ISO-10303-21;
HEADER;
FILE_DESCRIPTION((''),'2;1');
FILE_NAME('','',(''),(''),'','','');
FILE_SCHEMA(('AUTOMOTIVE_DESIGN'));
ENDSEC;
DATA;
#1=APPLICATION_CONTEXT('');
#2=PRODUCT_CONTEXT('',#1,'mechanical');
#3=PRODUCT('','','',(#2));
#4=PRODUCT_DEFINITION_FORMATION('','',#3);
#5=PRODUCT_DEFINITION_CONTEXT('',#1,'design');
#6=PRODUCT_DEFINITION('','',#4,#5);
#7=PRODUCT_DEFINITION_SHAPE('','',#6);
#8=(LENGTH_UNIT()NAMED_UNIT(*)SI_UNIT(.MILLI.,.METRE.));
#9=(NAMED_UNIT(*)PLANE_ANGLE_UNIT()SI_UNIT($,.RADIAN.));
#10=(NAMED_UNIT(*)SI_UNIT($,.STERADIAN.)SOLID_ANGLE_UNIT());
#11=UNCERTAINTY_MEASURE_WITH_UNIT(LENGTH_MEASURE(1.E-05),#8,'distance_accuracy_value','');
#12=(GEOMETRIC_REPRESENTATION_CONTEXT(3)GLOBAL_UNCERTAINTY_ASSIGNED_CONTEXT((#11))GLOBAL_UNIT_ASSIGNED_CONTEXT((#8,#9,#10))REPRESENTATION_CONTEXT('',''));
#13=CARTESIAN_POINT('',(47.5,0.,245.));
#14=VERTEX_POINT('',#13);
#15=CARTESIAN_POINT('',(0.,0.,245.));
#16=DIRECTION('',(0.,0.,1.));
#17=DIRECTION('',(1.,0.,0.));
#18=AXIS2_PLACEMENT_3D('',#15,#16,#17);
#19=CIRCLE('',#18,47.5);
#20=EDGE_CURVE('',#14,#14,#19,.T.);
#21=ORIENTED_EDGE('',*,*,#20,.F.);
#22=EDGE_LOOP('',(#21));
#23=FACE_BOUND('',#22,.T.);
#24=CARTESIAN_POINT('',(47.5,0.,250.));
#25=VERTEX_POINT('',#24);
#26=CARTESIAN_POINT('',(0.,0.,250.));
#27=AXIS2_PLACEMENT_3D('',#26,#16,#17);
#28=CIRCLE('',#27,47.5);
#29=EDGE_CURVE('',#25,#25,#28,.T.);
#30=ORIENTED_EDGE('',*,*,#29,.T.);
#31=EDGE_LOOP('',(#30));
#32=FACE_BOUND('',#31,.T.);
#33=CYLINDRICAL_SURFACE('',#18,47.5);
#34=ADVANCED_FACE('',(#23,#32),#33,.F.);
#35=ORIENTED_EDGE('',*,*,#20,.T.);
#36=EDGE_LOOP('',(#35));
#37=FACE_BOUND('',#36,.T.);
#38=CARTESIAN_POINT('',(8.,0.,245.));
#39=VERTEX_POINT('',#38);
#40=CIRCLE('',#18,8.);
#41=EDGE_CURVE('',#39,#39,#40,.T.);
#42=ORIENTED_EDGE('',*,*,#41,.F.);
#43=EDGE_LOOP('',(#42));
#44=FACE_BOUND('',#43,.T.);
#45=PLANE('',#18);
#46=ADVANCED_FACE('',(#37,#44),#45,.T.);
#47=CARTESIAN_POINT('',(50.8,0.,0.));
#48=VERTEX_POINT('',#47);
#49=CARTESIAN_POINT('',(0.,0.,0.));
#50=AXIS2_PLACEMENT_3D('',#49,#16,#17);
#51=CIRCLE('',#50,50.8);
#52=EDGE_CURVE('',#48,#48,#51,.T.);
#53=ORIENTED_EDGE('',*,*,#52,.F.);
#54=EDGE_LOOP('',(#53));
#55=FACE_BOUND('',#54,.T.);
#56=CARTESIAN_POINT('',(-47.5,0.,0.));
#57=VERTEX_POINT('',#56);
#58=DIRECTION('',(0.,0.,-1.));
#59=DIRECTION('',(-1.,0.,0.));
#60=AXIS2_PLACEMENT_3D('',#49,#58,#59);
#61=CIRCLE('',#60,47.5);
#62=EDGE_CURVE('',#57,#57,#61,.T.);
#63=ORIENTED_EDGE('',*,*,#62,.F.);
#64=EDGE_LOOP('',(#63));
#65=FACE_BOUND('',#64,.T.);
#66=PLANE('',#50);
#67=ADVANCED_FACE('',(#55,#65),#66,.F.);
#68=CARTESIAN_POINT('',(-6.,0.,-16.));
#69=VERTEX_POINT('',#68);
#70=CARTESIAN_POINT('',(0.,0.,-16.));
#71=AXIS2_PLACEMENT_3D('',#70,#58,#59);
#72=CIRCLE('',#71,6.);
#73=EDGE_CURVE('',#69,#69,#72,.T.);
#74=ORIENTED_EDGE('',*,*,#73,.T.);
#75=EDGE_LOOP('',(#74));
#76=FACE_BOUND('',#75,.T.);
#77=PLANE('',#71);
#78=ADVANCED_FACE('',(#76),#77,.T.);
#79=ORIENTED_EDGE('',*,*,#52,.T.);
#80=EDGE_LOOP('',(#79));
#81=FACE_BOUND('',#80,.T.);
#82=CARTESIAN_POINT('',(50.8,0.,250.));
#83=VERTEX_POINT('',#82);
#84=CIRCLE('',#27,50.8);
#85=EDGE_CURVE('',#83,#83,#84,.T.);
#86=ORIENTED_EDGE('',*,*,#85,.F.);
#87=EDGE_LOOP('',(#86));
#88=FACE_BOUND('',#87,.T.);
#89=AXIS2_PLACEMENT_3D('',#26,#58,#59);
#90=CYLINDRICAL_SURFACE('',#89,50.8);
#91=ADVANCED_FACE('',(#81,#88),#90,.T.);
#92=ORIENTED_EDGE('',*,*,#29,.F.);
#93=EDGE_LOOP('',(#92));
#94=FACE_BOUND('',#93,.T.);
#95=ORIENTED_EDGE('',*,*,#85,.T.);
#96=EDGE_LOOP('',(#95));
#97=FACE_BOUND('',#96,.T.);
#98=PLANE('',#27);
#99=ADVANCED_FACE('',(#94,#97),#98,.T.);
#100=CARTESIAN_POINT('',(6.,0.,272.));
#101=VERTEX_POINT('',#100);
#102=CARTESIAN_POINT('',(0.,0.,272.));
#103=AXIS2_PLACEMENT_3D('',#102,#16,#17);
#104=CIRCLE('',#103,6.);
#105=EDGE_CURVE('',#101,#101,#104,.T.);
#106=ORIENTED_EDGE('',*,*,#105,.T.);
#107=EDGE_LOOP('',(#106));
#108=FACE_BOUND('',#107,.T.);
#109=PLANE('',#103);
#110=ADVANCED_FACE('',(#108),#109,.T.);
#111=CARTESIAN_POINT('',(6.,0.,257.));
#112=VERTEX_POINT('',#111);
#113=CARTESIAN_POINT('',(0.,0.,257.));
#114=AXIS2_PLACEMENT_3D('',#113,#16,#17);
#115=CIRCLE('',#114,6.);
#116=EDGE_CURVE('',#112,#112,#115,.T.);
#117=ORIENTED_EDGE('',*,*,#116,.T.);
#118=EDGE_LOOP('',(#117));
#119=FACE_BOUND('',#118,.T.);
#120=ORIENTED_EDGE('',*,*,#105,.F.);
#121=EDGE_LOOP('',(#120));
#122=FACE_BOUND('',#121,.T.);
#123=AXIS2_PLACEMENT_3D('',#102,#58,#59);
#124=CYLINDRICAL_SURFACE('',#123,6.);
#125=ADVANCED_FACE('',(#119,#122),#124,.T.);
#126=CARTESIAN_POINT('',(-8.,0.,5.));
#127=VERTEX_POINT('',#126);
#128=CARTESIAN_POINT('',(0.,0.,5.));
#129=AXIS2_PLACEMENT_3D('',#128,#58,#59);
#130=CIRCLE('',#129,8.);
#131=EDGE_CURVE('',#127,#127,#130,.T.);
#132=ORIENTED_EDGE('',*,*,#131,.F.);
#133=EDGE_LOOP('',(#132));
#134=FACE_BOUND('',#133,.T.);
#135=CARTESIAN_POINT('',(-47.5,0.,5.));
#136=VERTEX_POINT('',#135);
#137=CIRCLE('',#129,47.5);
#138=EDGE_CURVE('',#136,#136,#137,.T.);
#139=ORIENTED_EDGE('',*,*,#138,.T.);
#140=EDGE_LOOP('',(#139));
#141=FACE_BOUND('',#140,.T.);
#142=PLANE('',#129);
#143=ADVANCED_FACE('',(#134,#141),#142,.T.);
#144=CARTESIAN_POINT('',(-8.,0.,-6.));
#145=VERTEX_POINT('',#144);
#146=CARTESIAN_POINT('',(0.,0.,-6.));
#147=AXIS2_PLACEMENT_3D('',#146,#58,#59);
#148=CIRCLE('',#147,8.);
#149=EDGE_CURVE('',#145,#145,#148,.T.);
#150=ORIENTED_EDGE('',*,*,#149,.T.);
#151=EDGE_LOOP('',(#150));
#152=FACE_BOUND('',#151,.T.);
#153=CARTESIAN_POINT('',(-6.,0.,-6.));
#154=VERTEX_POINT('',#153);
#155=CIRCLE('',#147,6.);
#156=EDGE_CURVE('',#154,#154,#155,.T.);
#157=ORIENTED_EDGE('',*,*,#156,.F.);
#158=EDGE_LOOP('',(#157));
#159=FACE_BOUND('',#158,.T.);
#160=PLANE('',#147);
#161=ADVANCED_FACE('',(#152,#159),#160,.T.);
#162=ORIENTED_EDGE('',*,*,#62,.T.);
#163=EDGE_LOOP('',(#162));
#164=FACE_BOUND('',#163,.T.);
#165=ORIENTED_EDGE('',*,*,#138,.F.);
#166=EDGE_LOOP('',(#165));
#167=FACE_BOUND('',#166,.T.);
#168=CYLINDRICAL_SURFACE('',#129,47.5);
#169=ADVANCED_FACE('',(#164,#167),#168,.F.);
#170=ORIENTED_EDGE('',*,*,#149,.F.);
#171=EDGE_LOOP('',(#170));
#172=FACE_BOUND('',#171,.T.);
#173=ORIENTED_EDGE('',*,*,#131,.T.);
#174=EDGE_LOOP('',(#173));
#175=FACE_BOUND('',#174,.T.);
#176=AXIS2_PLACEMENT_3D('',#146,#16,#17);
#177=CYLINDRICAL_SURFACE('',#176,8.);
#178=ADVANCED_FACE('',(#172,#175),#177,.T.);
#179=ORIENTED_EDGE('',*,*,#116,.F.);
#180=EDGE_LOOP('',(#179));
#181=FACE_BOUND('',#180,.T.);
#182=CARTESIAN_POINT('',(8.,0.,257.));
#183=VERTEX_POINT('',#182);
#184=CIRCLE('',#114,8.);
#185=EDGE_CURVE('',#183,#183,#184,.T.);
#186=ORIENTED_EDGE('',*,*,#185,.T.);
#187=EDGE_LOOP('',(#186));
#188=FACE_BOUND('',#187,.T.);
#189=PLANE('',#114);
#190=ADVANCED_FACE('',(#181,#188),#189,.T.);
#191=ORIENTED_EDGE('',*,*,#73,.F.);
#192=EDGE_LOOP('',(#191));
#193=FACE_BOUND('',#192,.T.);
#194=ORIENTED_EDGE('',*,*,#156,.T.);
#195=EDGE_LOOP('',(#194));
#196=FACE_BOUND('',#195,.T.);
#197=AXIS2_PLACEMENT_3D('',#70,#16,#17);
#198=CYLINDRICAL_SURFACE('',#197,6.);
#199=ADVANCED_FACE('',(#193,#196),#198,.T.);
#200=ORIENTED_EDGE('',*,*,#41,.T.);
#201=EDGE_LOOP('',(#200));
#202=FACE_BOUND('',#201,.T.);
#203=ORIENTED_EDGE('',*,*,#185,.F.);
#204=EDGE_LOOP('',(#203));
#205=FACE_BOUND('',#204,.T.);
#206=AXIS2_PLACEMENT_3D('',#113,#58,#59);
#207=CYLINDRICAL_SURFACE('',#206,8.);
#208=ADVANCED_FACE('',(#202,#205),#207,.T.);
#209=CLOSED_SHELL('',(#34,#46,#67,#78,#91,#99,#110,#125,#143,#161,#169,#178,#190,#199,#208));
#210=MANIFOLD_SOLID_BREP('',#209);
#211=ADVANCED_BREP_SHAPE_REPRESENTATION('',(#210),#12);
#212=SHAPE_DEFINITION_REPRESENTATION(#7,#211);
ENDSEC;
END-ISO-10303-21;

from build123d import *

# Parameters (mm, degrees)
SKETCH1_R           = 50.8
BOSS_EXTRUDE1_DEPTH = 250
SKETCH2_R           = 47.5
CUT_EXTRUDE1_DEPTH  = 5
CUT_EXTRUDE2_START  = -5
SKETCH3_R           = 47.5
CUT_EXTRUDE2_DEPTH  = 5
SKETCH4_R           = 8
BOSS_EXTRUDE2_DEPTH = 11
BOSS_EXTRUDE3_START = 12
SKETCH5_R           = 8
BOSS_EXTRUDE3_DEPTH = 12
SKETCH7_R           = 6
BOSS_EXTRUDE4_DEPTH = 10
BOSS_EXTRUDE5_START = 15
SKETCH8_R           = 6
BOSS_EXTRUDE5_DEPTH = 15


with BuildPart() as part:
    # Sketch1 → Boss-Extrude1 (new body)
    with BuildSketch(Plane.XY):
        Circle(SKETCH1_R)
    extrude(amount=BOSS_EXTRUDE1_DEPTH)

    # Sketch2 → Cut-Extrude1 (cut)
    with BuildSketch(Plane.XY.offset(250)):
        Circle(SKETCH2_R)
    extrude(amount=-CUT_EXTRUDE1_DEPTH, mode=Mode.SUBTRACT)

    # Sketch3 → Cut-Extrude2 (cut)
    with BuildSketch(Plane(origin=(0, 0, 0), x_dir=(-1, 0, 0), z_dir=(0, 0, -1)).offset(CUT_EXTRUDE2_START)):
        with Locations(Location((0, 0, 0), (0, 0, 180))):
            Circle(SKETCH3_R)
    extrude(amount=CUT_EXTRUDE2_DEPTH, mode=Mode.SUBTRACT)

    # Sketch4 → Boss-Extrude2 (add)
    with BuildSketch(Plane(origin=(0, 0, 5), x_dir=(-1, 0, 0), z_dir=(0, 0, -1))):
        Circle(SKETCH4_R)
    extrude(amount=BOSS_EXTRUDE2_DEPTH)

    # Sketch5 → Boss-Extrude3 (add)
    with BuildSketch(Plane.XY.offset(245).offset(BOSS_EXTRUDE3_START)):
        with Locations(Location((0, 0, 0), (0, 0, 180))):
            Circle(SKETCH5_R)
    extrude(amount=-BOSS_EXTRUDE3_DEPTH)

    # Sketch7 → Boss-Extrude4 (add)
    with BuildSketch(Plane(origin=(0, 0, -6), x_dir=(-1, 0, 0), z_dir=(0, 0, -1))):
        Circle(SKETCH7_R)
    extrude(amount=BOSS_EXTRUDE4_DEPTH)

    # Sketch8 → Boss-Extrude5 (add)
    with BuildSketch(Plane.XY.offset(257).offset(BOSS_EXTRUDE5_START)):
        with Locations(Location((0, 0, 0), (0, 0, 180))):
            Circle(SKETCH8_R)
    extrude(amount=-BOSS_EXTRUDE5_DEPTH)


solid = part.part
